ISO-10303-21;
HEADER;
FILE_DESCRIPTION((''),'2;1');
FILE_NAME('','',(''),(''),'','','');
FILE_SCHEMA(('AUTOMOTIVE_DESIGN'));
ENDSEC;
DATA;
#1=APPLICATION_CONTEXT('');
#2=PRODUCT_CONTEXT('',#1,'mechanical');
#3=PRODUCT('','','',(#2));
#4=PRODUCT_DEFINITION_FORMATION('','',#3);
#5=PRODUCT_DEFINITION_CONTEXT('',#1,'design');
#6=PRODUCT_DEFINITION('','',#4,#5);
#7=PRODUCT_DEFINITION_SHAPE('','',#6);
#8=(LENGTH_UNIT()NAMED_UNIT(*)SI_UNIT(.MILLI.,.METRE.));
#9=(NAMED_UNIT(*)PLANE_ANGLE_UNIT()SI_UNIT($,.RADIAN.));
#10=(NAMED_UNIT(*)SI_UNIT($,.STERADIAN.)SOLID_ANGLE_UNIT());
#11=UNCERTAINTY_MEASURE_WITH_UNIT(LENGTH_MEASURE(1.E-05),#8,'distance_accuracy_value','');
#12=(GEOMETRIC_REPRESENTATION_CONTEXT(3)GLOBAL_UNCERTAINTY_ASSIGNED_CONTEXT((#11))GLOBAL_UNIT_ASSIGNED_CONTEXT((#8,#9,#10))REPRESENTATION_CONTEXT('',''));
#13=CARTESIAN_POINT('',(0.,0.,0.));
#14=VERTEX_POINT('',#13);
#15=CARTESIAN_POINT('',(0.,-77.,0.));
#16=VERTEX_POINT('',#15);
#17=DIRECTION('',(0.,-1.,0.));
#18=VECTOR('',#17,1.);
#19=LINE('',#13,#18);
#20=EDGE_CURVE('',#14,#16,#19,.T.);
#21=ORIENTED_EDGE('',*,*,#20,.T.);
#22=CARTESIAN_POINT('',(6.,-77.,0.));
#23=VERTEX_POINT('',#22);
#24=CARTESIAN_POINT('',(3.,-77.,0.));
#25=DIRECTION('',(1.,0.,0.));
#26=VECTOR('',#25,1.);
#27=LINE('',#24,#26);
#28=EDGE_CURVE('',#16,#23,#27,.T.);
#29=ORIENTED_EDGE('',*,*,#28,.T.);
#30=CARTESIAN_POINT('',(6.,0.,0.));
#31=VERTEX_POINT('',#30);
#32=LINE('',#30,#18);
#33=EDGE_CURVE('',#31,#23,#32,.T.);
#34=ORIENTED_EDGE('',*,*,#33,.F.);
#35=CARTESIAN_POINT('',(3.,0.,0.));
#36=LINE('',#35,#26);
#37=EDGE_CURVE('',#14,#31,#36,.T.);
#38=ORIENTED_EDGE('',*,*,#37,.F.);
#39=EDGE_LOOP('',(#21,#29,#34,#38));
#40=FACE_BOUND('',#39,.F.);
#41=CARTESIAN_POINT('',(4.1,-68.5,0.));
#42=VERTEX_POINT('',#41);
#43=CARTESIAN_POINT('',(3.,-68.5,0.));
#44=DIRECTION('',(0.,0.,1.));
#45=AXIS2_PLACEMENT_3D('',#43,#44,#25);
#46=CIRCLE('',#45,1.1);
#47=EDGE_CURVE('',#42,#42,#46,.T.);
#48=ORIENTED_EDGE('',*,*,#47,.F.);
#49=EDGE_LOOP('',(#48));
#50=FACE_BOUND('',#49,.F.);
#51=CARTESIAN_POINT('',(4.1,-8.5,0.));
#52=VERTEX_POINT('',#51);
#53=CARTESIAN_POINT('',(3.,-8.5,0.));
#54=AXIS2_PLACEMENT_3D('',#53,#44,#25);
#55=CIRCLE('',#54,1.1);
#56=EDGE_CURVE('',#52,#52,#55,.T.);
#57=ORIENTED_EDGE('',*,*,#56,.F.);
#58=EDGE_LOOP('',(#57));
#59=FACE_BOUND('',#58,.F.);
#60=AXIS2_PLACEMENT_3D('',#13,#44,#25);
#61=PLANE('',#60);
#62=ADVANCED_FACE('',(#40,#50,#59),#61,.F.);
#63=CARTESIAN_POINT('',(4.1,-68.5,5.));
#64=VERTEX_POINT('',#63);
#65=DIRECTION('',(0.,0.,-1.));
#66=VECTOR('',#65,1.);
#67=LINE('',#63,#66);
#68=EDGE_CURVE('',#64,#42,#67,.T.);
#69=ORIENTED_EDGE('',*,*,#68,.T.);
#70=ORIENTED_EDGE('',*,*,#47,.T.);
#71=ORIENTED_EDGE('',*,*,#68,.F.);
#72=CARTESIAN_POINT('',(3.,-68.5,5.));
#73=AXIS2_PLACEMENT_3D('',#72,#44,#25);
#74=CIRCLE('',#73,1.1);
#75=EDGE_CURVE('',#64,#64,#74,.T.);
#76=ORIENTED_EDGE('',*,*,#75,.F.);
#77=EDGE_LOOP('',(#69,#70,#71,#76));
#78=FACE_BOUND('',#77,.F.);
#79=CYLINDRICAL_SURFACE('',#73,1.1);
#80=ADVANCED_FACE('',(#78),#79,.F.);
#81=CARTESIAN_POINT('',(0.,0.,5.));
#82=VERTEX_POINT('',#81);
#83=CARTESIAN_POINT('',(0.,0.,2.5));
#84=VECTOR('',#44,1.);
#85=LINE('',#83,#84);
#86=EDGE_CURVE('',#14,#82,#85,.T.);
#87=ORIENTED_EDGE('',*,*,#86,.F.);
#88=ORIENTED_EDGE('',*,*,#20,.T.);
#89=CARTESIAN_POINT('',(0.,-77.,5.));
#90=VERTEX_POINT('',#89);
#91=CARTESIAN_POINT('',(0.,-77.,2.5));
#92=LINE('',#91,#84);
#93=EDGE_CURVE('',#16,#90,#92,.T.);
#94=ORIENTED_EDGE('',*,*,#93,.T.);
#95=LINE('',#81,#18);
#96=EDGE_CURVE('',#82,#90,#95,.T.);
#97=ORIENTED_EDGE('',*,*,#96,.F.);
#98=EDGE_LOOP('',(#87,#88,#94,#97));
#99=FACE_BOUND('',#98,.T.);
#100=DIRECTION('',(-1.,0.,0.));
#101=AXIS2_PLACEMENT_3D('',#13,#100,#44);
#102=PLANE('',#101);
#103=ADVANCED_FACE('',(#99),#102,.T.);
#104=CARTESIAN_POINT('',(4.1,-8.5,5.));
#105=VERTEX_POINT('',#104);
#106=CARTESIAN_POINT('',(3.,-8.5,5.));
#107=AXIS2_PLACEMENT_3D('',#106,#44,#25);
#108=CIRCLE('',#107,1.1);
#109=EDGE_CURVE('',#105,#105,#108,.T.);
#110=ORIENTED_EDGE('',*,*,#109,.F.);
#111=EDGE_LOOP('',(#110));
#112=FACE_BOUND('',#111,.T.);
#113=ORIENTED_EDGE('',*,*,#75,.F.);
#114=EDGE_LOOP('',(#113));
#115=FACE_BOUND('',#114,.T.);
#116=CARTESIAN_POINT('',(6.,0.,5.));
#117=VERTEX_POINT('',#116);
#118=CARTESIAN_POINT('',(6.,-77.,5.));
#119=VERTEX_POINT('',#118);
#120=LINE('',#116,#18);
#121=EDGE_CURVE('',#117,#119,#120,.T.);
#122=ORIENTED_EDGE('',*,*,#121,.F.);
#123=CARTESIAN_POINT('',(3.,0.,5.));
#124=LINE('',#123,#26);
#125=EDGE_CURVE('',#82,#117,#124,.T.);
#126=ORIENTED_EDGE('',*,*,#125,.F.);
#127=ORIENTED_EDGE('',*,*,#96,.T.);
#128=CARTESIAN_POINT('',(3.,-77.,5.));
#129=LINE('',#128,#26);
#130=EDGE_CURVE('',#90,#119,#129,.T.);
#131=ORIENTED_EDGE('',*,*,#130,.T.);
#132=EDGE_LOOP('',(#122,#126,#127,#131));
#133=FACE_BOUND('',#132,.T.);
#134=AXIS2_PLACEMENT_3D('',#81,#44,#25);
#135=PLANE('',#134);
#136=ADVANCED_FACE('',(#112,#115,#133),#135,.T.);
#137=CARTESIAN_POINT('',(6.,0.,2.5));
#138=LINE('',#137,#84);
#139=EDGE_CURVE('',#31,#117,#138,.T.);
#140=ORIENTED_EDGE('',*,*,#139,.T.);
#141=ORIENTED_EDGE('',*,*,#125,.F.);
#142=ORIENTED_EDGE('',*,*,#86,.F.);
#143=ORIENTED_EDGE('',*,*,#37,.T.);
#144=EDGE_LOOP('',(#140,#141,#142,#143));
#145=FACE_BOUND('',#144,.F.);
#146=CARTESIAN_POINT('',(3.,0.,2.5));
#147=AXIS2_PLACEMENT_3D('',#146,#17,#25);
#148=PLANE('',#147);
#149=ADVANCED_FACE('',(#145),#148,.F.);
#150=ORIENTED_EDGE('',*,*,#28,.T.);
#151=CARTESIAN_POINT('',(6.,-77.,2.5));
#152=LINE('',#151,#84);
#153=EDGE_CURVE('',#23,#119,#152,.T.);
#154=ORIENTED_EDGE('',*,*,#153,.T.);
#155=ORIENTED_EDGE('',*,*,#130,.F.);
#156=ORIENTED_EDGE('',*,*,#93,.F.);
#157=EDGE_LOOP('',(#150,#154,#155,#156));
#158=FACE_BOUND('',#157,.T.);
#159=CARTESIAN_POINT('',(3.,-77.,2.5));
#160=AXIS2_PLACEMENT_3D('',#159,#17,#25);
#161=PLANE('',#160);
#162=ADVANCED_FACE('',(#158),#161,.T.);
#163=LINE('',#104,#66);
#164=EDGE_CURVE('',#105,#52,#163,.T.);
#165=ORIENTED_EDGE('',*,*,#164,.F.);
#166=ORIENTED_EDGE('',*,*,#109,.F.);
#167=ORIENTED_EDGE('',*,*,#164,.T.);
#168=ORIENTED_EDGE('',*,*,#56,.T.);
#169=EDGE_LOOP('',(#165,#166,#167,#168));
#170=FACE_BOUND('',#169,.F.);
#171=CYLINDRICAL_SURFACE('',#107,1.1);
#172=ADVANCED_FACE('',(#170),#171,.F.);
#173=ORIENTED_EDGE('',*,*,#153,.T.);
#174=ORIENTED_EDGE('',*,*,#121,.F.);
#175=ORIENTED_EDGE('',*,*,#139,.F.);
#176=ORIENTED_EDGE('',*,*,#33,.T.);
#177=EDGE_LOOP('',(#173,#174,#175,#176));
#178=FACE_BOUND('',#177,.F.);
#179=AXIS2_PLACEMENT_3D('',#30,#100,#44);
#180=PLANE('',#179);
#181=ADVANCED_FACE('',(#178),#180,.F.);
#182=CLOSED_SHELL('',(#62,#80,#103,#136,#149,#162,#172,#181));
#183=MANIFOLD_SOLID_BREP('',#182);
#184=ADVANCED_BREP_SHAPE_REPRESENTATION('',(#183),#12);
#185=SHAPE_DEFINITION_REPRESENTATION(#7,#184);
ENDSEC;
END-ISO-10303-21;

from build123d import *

# Parameters (mm, degrees)
F0_W     = 6
F0_H     = 5
F1_DEPTH = 77
F2_R     = 1.1
F3_DEPTH = 25


with BuildPart() as f1:
    # F0 (on Front) → F1 (new body)
    with BuildSketch(Plane.XZ):
        with Locations((3, 2.5)):
            Rectangle(F0_W, F0_H)
    extrude(amount=F1_DEPTH)

    # F2 (on face) → F3 (cut)
    with BuildSketch(Plane.XY.offset(5)):
        with Locations((3, -8.5)):
            Circle(F2_R)
        with Locations((3, -68.5)):
            Circle(F2_R)
    extrude(amount=-F3_DEPTH, mode=Mode.SUBTRACT)


solid = f1.part
